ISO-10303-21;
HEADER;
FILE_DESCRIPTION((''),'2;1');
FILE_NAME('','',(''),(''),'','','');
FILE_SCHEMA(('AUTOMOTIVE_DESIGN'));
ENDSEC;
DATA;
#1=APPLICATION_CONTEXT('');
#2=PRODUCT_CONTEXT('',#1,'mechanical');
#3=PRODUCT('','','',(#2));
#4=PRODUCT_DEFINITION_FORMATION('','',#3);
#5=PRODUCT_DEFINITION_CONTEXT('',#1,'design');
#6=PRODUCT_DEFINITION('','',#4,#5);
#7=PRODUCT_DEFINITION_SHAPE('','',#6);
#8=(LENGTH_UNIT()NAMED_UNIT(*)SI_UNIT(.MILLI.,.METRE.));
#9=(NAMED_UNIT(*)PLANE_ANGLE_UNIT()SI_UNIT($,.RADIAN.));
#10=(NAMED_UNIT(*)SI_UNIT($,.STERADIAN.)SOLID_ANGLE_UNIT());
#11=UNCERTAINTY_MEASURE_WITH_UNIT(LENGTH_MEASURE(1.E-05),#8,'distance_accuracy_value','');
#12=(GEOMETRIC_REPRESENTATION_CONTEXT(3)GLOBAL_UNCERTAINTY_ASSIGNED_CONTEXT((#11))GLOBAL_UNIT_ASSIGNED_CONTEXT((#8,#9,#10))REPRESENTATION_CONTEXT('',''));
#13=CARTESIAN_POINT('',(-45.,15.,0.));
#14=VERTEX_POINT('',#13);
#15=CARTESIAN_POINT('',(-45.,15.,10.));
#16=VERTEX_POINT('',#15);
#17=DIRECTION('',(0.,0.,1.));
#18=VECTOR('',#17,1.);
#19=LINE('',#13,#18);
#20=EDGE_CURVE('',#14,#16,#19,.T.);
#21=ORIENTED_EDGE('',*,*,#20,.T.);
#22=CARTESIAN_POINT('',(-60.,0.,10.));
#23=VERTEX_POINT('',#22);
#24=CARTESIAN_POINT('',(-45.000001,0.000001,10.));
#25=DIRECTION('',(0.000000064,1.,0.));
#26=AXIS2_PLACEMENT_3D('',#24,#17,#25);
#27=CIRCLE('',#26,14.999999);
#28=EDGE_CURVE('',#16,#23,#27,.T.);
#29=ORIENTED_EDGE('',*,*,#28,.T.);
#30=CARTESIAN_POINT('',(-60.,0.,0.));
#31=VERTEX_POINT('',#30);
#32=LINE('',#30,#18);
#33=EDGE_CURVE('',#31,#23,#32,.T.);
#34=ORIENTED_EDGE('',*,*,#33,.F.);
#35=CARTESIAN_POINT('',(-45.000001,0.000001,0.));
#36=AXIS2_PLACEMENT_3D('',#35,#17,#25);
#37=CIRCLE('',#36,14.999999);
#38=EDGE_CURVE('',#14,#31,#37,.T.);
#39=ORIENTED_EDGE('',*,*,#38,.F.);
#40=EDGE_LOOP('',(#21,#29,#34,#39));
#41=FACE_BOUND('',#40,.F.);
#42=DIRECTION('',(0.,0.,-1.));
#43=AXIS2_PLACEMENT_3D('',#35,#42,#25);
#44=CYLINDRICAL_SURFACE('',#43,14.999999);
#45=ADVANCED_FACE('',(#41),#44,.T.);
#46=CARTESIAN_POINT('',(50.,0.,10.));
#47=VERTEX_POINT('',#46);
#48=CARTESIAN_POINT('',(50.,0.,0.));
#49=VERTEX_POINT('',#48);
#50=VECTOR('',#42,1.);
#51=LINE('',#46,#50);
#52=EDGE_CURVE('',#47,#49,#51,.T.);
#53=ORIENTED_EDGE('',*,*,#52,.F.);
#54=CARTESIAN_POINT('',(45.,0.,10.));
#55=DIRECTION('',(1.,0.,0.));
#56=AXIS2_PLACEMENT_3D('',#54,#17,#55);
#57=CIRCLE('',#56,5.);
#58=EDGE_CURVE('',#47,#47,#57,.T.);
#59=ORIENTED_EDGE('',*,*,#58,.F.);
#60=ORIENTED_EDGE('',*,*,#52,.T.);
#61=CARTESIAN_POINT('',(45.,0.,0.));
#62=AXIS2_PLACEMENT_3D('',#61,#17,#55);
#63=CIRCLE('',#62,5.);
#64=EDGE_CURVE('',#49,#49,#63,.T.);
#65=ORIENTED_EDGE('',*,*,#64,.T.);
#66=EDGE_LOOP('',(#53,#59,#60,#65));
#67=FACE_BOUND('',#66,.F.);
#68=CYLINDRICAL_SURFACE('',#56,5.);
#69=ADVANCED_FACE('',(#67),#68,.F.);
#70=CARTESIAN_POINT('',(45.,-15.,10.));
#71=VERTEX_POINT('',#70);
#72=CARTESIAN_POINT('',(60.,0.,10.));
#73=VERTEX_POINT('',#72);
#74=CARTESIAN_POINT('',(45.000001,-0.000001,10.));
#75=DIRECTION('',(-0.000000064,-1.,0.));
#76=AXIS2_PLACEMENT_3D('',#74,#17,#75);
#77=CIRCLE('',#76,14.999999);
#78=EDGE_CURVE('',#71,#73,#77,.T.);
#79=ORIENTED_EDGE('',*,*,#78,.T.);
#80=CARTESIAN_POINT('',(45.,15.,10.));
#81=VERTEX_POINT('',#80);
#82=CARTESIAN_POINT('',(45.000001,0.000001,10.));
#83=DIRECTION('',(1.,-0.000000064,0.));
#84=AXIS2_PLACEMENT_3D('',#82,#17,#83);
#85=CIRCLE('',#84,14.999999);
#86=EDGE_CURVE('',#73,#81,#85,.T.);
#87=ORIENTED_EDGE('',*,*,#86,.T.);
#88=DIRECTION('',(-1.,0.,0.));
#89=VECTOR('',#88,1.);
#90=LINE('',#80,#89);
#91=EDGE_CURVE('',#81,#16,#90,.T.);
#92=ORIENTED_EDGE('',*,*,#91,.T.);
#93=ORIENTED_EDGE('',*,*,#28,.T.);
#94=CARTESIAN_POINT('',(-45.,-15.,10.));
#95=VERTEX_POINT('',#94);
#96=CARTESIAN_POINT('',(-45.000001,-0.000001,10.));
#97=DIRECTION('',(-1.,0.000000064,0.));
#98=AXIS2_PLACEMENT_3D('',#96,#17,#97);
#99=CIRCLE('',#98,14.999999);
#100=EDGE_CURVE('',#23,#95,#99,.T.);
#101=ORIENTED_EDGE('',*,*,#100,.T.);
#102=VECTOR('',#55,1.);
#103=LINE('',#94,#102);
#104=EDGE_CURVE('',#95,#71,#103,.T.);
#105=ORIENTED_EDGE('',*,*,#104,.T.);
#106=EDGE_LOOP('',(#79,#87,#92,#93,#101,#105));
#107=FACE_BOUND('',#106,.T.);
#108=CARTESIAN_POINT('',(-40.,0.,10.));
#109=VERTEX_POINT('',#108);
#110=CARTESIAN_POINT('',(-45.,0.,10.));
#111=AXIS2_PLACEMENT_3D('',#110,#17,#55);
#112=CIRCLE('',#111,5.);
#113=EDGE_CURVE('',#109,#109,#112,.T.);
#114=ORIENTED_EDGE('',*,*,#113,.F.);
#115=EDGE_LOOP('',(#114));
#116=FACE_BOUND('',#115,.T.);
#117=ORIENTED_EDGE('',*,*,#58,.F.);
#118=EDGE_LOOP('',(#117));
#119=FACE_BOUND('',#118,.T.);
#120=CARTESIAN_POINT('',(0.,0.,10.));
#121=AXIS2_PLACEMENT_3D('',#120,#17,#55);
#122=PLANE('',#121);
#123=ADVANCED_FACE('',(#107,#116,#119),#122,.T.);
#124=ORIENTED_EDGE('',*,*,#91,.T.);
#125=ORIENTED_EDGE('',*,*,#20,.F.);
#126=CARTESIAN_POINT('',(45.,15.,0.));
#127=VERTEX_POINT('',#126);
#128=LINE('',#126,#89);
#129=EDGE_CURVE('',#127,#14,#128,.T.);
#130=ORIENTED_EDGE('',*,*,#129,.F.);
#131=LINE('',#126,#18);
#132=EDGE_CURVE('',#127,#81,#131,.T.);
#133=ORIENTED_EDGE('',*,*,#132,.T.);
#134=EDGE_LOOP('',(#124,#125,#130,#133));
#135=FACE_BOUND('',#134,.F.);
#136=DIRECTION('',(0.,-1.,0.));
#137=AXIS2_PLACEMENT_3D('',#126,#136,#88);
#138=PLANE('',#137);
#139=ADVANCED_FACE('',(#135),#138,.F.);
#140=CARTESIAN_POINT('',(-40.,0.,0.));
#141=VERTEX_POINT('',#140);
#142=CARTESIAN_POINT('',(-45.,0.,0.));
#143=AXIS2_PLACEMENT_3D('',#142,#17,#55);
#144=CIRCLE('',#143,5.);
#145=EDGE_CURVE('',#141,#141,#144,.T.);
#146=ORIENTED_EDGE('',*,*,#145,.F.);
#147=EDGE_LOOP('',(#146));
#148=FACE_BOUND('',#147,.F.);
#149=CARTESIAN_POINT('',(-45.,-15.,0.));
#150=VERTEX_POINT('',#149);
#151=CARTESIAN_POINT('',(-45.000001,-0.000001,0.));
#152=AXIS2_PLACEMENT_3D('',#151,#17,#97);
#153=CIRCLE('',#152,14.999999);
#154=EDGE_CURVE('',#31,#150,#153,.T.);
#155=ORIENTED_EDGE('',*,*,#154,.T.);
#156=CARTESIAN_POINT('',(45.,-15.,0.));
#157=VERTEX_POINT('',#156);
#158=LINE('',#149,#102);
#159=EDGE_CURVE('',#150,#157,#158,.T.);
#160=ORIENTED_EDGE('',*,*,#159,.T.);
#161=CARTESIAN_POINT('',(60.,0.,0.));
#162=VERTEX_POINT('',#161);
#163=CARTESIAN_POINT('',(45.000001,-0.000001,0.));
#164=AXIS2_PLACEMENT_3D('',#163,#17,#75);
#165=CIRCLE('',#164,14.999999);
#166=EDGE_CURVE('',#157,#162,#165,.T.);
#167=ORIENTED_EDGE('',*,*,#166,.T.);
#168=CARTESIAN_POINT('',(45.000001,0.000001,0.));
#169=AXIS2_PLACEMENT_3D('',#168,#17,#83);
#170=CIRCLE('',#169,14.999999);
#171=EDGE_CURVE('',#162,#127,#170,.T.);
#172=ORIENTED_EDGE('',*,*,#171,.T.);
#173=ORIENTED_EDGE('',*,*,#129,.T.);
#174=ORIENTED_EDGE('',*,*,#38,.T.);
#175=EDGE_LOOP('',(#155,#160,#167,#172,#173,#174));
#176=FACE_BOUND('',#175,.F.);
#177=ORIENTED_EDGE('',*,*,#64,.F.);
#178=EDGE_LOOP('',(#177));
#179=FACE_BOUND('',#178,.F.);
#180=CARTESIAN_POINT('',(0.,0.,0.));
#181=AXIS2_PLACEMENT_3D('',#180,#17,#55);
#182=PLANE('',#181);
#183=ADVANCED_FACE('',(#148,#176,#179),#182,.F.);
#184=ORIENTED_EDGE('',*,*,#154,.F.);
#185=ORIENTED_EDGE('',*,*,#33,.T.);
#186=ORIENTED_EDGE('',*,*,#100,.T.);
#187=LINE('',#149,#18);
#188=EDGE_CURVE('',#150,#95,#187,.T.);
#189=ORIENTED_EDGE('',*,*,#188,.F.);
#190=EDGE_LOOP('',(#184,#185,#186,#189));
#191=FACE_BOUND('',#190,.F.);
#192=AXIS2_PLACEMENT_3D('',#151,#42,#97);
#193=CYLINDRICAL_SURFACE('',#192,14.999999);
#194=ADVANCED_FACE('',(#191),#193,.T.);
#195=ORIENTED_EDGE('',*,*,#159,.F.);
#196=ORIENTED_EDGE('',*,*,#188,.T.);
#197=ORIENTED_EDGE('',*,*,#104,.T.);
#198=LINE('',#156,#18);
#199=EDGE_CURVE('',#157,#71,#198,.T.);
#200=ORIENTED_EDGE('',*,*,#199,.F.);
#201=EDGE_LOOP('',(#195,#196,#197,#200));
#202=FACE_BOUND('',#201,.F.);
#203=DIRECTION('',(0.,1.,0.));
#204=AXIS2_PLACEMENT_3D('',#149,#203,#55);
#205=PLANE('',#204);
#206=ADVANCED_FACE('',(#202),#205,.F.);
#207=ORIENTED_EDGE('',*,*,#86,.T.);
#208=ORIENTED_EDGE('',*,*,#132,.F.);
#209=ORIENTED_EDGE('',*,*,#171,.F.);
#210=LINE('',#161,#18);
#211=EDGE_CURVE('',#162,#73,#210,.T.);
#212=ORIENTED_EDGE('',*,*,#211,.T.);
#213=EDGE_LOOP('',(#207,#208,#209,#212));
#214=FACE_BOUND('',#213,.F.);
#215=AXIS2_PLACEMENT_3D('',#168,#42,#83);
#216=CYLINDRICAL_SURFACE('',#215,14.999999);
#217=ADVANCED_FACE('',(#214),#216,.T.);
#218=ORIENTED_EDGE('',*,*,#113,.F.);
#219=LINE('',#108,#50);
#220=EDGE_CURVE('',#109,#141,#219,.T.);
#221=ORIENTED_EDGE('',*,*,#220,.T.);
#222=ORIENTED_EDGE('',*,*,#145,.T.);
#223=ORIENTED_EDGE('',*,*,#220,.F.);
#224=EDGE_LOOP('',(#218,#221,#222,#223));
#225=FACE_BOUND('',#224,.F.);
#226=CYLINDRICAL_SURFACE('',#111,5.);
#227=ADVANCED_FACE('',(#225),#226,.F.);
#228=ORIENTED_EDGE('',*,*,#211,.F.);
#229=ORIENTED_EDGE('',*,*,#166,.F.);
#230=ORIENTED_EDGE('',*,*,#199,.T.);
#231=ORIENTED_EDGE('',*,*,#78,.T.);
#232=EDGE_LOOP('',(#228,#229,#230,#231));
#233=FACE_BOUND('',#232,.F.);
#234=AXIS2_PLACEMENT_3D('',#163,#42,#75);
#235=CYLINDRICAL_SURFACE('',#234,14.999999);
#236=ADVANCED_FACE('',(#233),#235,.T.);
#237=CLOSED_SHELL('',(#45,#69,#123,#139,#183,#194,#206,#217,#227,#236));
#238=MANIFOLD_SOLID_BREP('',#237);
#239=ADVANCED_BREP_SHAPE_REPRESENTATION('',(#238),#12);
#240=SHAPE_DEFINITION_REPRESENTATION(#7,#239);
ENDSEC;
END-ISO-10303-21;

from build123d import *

# Parameters (mm, degrees)
F1_DEPTH = 10
F2_R     = 5
F3_DEPTH = 25


with BuildPart() as f1:
    # F0 (on Top) → F1 (new body)
    with BuildSketch(Plane.XY):
        with BuildLine():
            ThreePointArc((60, 0), (55.606602, 10.606602), (45, 15))
            Line((45, 15), (-45, 15))
            ThreePointArc((-45, 15), (-55.606602, 10.606602), (-60, 0))
            ThreePointArc((-60, 0), (-55.606602, -10.606602), (-45, -15))
            Line((-45, -15), (45, -15))
            ThreePointArc((45, -15), (55.606602, -10.606602), (60, 0))
        make_face()
    extrude(amount=F1_DEPTH)

    # F2 (on face) → F3 (cut)
    with BuildSketch(Plane.XY.offset(10)):
        with Locations((-45, 0)):
            Circle(F2_R)
        with Locations((45, 0)):
            Circle(F2_R)
    extrude(amount=-F3_DEPTH, mode=Mode.SUBTRACT)


solid = f1.part
